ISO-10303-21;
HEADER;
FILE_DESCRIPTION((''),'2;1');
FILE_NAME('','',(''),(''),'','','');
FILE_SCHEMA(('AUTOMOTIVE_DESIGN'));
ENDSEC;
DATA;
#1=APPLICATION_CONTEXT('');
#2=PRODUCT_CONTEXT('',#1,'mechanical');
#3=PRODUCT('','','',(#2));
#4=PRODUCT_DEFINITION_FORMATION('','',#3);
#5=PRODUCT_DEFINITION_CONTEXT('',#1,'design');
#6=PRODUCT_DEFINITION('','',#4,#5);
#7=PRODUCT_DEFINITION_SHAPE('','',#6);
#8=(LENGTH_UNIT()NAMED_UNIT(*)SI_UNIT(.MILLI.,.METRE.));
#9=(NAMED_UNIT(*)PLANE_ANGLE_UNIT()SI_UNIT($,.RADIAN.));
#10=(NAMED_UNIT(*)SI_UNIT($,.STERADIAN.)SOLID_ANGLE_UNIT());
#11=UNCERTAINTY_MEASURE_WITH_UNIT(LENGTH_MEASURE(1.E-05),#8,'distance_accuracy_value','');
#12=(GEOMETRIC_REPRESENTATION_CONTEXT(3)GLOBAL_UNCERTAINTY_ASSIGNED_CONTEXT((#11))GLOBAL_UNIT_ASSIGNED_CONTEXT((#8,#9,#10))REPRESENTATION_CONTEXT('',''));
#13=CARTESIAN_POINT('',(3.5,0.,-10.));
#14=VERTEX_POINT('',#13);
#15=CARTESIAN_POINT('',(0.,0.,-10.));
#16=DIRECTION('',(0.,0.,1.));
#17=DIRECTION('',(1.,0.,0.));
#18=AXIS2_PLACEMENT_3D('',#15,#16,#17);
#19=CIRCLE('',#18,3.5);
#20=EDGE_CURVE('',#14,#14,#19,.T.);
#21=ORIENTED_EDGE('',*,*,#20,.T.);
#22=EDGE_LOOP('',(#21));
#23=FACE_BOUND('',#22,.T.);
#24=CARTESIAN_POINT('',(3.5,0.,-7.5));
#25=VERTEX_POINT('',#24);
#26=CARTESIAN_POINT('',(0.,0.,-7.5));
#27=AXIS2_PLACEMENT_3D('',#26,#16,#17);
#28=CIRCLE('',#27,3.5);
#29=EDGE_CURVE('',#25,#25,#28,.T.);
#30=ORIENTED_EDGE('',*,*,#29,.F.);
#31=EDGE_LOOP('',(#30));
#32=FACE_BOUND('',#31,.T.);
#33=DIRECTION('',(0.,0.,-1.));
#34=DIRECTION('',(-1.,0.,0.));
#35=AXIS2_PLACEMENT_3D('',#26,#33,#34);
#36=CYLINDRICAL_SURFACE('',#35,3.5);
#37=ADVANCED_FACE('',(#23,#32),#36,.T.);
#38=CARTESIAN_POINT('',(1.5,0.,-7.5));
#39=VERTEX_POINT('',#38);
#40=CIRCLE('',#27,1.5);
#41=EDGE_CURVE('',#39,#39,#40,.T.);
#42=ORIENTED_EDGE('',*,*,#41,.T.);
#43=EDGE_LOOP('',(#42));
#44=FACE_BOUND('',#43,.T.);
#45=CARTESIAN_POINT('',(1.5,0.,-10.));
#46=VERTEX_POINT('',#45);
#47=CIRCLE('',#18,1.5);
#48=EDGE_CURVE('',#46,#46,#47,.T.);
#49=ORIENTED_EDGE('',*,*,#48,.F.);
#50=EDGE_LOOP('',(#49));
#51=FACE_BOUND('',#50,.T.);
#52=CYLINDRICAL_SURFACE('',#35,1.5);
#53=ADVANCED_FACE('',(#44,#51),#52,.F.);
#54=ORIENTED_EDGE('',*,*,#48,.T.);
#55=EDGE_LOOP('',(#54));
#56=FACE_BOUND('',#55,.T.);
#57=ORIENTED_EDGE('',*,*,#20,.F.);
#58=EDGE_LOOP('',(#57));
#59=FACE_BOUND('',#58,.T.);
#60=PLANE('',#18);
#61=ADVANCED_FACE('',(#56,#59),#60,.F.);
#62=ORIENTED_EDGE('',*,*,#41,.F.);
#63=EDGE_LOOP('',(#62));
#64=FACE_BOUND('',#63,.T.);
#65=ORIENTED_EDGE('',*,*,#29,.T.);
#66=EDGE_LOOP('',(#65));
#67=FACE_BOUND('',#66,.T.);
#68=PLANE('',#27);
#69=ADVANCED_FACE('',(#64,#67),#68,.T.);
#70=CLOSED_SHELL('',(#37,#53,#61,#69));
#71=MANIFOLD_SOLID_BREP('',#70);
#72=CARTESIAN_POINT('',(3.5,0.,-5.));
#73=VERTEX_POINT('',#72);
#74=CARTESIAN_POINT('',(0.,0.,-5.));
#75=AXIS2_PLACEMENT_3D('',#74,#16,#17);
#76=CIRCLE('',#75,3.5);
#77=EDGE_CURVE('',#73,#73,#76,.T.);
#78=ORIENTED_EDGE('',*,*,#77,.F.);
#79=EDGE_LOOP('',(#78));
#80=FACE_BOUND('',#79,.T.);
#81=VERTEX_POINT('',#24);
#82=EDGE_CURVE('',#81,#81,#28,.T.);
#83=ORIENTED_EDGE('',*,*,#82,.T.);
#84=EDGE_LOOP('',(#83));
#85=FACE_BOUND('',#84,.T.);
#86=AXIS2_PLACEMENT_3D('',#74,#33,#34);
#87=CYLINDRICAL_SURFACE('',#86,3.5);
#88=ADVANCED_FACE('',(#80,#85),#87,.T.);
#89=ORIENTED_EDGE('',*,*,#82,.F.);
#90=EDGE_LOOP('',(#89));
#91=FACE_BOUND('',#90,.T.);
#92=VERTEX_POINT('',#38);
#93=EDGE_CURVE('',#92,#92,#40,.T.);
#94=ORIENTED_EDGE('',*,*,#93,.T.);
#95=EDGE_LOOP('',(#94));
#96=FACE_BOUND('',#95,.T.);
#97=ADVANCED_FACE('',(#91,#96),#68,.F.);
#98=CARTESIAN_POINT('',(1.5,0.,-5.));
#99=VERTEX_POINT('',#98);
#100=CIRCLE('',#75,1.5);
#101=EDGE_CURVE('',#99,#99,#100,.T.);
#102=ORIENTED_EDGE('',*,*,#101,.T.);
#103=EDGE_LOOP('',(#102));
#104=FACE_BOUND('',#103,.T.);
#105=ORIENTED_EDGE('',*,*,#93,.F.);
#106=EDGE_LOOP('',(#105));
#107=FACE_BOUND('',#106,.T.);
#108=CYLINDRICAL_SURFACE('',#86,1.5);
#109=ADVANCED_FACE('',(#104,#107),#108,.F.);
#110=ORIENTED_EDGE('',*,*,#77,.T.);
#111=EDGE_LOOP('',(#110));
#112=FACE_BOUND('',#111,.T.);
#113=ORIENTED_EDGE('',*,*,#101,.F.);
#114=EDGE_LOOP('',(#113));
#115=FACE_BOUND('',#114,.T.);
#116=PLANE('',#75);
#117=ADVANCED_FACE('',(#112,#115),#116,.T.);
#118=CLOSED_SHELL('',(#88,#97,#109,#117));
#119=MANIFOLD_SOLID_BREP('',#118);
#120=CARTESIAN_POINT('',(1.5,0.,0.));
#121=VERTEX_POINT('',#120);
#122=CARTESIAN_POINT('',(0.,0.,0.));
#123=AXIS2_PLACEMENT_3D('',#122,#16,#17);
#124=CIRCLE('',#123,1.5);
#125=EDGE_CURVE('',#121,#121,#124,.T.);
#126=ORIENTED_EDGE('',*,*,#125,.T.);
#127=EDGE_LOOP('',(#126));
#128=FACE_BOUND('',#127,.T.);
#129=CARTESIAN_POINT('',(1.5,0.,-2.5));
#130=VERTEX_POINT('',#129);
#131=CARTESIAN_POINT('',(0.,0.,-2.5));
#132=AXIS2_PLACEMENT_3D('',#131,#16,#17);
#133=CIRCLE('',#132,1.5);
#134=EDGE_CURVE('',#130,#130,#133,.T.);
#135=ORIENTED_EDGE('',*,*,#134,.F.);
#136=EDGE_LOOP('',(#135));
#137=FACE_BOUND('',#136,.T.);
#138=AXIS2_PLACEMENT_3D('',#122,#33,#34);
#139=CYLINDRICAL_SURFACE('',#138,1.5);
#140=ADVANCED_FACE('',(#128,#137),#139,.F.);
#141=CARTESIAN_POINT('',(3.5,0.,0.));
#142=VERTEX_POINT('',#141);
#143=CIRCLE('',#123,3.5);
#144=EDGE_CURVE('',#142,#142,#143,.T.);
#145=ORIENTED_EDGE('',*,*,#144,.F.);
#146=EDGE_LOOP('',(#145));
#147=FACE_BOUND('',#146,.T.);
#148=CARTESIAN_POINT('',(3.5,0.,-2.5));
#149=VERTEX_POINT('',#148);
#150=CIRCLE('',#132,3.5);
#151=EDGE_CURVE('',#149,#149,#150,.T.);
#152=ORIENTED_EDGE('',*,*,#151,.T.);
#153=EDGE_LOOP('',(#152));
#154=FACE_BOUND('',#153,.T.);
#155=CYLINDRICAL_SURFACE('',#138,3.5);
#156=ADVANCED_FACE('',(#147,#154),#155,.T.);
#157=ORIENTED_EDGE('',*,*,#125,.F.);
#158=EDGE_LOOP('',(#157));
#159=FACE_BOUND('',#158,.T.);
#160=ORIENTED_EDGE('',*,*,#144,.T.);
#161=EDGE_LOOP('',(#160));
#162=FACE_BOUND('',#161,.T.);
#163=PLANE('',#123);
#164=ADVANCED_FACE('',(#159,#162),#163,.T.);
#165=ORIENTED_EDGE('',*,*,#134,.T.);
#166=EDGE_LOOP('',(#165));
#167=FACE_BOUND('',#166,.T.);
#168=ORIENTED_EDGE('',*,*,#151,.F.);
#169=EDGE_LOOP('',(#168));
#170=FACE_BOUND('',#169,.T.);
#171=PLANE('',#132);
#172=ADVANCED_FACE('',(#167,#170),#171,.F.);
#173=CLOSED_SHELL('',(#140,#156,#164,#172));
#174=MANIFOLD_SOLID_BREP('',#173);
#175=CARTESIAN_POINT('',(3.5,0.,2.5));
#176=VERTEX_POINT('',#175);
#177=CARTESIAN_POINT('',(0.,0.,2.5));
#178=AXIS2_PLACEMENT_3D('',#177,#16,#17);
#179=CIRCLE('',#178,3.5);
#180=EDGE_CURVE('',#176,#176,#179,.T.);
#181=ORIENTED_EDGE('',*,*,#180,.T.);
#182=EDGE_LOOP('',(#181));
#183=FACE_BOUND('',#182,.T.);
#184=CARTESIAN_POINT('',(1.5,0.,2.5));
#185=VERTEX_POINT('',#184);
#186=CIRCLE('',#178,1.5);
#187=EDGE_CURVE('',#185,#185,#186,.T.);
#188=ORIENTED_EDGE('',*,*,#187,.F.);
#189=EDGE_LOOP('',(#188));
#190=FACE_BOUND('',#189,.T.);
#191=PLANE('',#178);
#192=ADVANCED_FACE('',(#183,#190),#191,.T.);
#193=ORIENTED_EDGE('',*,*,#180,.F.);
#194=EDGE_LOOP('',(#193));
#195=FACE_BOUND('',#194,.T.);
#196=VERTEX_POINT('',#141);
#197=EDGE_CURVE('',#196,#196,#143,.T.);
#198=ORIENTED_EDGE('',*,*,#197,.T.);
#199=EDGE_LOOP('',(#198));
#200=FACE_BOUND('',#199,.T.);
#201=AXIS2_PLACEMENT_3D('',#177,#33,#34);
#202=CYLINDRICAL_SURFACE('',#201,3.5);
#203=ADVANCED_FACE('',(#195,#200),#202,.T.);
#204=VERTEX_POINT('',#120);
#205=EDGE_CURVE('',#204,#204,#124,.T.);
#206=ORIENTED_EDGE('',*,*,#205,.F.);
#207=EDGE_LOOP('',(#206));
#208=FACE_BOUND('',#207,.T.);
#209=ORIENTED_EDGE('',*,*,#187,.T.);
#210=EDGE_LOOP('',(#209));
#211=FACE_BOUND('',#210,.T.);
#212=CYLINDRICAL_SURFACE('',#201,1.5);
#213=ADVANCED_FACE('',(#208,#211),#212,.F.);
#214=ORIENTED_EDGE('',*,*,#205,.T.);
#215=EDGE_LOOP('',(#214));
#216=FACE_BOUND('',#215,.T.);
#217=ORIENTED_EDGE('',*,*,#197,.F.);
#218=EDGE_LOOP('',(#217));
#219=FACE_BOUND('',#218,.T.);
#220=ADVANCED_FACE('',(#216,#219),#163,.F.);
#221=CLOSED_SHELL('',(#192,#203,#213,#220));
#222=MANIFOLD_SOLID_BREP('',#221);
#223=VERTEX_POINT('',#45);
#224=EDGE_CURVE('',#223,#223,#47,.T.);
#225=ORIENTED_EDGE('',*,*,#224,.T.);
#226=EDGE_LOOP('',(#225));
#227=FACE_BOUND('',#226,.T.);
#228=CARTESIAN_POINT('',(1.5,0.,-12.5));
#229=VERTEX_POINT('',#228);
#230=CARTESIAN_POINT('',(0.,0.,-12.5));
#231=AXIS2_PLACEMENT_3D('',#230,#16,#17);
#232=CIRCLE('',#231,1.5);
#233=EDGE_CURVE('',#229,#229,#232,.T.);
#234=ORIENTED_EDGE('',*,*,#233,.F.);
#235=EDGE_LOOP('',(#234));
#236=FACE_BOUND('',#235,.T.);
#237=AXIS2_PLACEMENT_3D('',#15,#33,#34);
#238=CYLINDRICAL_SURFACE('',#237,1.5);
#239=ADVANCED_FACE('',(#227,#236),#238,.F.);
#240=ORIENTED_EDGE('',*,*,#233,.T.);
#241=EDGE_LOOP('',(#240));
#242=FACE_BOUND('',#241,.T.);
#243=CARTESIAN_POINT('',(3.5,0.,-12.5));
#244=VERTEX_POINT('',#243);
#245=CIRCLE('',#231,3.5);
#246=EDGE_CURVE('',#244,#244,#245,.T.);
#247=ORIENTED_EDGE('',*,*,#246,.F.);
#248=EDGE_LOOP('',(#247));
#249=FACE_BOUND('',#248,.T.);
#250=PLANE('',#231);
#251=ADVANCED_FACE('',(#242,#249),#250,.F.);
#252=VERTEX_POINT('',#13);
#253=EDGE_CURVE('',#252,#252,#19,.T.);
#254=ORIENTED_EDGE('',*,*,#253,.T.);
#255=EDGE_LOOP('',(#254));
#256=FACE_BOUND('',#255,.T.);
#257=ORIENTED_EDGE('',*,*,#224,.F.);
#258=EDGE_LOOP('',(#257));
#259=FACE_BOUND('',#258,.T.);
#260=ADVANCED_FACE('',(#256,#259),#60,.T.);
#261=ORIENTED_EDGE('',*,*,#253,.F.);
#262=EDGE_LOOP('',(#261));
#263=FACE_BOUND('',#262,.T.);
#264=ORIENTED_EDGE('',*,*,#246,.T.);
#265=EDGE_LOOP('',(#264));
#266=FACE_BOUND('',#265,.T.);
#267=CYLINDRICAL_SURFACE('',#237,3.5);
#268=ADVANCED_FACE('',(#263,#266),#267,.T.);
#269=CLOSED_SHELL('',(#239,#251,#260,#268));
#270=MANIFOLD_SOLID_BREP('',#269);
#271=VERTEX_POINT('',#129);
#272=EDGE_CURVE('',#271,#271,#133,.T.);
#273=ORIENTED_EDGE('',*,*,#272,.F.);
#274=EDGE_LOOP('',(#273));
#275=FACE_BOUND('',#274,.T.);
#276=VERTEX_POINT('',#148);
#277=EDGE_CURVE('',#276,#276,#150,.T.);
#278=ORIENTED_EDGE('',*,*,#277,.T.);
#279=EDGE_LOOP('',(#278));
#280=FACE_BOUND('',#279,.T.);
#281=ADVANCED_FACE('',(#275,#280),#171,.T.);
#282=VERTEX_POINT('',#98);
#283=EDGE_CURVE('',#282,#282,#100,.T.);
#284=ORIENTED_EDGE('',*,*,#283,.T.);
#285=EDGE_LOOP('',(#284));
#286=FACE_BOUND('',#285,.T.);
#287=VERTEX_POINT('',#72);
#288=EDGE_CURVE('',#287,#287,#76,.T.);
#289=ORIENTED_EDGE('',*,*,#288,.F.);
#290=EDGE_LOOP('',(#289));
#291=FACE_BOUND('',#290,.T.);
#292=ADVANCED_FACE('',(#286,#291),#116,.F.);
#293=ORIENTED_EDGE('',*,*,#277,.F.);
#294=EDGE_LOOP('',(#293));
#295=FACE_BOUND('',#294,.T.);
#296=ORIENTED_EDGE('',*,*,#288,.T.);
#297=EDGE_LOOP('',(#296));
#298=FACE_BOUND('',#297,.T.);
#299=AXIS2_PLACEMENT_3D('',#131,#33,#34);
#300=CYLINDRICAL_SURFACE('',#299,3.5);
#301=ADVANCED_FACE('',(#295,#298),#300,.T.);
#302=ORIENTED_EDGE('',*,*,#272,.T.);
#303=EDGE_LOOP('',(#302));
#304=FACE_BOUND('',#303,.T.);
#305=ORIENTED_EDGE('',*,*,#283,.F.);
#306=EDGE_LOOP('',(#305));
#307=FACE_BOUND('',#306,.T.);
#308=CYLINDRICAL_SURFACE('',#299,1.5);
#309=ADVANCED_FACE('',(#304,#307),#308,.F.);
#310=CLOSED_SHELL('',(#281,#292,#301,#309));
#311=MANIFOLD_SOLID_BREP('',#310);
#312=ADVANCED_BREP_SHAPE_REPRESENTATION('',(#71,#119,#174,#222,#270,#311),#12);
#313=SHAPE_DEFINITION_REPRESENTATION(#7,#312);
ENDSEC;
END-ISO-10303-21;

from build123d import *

# Parameters (mm, degrees)
SKETCH_1_R             = 3.5
SKETCH_1_R_2           = 1.5
EXTRUDE_1_DEPTH        = 2.5
PATTERN_LINEAR_1_COUNT = 6
PATTERN_LINEAR_1_PITCH = 2.5


with BuildPart() as part:
    # 草图1 → 凸台-拉伸1 (new body)
    with BuildSketch(Plane.XY):
        Circle(SKETCH_1_R)
        Circle(SKETCH_1_R_2, mode=Mode.SUBTRACT)
    extrude(amount=EXTRUDE_1_DEPTH)


with BuildPart() as pattern_linear_1_1:
    # 阵列(线性)1: pattern copy
    add(part.part.moved(Location(Vector(0, 0, -1) * (1 * PATTERN_LINEAR_1_PITCH))))


with BuildPart() as pattern_linear_1_2:
    # 阵列(线性)1: pattern copy
    add(part.part.moved(Location(Vector(0, 0, -1) * (2 * PATTERN_LINEAR_1_PITCH))))


with BuildPart() as pattern_linear_1_3:
    # 阵列(线性)1: pattern copy
    add(part.part.moved(Location(Vector(0, 0, -1) * (3 * PATTERN_LINEAR_1_PITCH))))


with BuildPart() as pattern_linear_1_4:
    # 阵列(线性)1: pattern copy
    add(part.part.moved(Location(Vector(0, 0, -1) * (4 * PATTERN_LINEAR_1_PITCH))))


with BuildPart() as pattern_linear_1_5:
    # 阵列(线性)1: pattern copy
    add(part.part.moved(Location(Vector(0, 0, -1) * (5 * PATTERN_LINEAR_1_PITCH))))


solid = Compound([part.part, pattern_linear_1_1.part, pattern_linear_1_2.part, pattern_linear_1_3.part, pattern_linear_1_4.part, pattern_linear_1_5.part])
